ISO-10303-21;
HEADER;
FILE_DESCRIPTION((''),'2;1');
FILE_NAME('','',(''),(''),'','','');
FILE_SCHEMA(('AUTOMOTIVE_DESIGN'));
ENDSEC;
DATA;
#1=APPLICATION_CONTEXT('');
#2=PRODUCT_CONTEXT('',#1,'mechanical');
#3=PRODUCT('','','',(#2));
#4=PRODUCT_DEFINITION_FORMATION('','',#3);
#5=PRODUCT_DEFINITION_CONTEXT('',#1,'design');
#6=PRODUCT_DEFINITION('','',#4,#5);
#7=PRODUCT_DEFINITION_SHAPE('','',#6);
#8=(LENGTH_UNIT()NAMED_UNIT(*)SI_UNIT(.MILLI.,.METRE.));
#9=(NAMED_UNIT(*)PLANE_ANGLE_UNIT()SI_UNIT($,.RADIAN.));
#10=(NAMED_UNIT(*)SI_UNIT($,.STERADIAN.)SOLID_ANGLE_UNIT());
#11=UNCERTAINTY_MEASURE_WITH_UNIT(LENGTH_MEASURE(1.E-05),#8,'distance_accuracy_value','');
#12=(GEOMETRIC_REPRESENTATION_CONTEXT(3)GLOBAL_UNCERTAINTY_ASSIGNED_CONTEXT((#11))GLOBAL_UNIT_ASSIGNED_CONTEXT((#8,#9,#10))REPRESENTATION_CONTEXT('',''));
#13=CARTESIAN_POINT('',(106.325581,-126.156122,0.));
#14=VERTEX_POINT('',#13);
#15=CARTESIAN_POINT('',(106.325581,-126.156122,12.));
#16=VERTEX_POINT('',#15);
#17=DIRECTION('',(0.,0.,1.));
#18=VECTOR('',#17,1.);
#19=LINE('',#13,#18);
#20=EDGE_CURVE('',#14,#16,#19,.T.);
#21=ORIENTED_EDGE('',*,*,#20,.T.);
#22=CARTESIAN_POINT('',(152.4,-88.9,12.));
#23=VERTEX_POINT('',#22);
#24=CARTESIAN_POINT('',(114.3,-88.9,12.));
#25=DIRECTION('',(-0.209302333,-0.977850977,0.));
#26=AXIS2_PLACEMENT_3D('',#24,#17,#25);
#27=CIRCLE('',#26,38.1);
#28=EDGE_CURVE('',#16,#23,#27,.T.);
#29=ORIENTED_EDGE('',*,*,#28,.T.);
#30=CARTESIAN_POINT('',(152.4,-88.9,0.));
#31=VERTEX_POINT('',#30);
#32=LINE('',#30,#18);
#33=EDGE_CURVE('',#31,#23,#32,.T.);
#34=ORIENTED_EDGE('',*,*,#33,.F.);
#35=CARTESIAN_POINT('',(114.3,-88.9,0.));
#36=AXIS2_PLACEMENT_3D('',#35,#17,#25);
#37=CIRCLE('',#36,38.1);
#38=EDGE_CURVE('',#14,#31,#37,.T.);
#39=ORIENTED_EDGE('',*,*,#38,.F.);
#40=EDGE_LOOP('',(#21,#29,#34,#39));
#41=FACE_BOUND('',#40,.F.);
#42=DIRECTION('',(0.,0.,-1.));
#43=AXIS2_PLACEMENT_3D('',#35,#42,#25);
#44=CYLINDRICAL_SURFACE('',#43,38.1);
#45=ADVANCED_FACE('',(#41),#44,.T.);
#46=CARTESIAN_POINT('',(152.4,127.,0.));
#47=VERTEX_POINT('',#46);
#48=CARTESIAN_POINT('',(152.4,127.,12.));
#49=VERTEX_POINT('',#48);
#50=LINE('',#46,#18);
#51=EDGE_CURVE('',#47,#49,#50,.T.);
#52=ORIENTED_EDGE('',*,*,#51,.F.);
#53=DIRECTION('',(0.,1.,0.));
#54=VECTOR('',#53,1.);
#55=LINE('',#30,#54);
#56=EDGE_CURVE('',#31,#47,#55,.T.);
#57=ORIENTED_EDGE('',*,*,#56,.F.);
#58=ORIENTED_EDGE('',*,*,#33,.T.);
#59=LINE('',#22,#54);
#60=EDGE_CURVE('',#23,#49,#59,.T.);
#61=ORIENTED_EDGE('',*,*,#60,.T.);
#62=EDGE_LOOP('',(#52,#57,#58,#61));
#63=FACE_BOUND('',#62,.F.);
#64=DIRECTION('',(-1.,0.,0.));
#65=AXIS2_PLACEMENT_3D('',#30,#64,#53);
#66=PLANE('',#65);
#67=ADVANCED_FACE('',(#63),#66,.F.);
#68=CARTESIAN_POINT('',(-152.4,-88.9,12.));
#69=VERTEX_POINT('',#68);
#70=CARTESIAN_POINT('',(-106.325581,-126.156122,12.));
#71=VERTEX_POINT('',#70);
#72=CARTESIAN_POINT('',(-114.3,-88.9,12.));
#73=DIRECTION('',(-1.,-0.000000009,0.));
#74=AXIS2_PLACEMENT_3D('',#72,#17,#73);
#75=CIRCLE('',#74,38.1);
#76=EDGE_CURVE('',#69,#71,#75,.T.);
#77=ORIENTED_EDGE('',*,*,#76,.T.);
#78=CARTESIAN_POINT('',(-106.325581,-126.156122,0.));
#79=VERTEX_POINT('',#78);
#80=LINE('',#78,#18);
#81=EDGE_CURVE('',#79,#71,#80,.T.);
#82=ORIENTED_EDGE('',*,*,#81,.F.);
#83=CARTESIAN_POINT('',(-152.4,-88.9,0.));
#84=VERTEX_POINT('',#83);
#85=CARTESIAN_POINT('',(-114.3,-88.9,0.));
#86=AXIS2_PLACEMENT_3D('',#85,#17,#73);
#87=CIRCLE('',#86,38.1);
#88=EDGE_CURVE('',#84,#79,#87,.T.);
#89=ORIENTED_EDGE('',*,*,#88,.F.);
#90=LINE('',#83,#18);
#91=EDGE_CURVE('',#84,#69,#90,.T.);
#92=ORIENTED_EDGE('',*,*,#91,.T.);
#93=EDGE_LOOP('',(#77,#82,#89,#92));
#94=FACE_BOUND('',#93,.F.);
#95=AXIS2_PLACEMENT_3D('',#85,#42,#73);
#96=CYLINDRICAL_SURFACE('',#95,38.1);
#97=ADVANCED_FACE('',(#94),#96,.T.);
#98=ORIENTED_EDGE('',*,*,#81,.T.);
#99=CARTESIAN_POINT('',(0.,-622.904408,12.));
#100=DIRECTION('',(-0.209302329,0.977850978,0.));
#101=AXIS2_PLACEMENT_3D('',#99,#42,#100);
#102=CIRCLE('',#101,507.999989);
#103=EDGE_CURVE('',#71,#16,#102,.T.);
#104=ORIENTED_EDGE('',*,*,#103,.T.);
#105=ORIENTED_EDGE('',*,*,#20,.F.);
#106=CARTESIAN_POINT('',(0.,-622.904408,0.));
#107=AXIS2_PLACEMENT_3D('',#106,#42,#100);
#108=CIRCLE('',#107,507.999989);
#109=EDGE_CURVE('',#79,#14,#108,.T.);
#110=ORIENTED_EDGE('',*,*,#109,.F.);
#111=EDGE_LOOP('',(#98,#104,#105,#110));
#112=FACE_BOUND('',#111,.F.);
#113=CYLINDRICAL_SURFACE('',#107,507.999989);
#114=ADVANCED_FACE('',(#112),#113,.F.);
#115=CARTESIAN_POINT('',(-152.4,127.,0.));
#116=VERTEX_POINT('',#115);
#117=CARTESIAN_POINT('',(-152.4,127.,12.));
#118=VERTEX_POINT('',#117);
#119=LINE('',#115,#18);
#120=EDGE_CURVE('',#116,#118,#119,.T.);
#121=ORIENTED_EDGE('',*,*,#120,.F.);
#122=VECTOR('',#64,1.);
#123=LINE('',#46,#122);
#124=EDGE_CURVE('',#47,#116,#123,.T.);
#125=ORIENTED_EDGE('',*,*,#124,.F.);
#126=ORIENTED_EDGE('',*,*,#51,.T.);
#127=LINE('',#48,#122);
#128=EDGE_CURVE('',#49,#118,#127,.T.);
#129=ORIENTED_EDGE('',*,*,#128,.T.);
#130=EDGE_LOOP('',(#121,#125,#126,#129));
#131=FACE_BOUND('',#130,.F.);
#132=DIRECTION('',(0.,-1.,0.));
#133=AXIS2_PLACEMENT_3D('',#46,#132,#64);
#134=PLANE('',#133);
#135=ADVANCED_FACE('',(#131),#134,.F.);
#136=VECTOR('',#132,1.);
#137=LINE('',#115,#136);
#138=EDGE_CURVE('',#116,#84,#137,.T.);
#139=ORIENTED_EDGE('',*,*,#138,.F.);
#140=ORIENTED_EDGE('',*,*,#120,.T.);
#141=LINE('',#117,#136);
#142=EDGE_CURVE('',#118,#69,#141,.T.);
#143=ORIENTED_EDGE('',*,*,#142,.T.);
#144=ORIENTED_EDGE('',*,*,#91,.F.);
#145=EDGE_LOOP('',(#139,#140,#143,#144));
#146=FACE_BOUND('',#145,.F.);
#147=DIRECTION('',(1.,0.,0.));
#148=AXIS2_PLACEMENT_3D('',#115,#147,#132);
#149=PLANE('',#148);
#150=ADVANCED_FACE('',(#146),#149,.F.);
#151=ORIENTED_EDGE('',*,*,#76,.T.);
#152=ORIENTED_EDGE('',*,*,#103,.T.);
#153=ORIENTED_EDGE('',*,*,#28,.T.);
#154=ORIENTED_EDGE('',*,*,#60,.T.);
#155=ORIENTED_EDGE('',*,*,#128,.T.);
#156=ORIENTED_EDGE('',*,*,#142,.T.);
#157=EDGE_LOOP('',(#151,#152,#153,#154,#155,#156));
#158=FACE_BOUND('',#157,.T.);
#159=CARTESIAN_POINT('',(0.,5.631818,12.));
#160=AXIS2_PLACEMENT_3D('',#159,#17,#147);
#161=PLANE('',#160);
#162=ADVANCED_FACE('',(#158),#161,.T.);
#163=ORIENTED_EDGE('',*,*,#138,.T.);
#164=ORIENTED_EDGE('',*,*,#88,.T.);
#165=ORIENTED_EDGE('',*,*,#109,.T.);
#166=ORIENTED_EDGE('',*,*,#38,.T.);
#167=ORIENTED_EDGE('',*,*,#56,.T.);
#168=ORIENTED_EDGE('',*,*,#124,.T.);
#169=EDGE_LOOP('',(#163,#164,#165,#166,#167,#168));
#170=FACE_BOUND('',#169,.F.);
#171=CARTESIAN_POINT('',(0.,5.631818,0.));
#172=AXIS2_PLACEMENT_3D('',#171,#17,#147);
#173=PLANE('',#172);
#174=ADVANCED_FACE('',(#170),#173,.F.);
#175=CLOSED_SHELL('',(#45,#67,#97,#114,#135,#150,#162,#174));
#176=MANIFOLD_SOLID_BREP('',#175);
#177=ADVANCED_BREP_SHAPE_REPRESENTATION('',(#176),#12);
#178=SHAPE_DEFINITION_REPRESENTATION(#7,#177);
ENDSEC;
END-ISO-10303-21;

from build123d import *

# Parameters (mm, degrees)
F1_DEPTH = 12


with BuildPart() as f1:
    # F0 (on Top) → F1 (new body)
    with BuildSketch(Plane.XY):
        with BuildLine():
            Line((152.4, 127), (-152.4, 127))
            Line((-152.4, 127), (-152.4, -88.9))
            ThreePointArc((-152.4, -88.9), (-138.25605, -118.5263), (-106.325581, -126.156122))
            ThreePointArc((-106.325581, -126.156122), (0, -114.904419), (106.325581, -126.156122))
            ThreePointArc((106.325581, -126.156122), (138.25605, -118.5263), (152.4, -88.9))
            Line((152.4, -88.9), (152.4, 127))
        make_face()
    extrude(amount=F1_DEPTH)


solid = f1.part
